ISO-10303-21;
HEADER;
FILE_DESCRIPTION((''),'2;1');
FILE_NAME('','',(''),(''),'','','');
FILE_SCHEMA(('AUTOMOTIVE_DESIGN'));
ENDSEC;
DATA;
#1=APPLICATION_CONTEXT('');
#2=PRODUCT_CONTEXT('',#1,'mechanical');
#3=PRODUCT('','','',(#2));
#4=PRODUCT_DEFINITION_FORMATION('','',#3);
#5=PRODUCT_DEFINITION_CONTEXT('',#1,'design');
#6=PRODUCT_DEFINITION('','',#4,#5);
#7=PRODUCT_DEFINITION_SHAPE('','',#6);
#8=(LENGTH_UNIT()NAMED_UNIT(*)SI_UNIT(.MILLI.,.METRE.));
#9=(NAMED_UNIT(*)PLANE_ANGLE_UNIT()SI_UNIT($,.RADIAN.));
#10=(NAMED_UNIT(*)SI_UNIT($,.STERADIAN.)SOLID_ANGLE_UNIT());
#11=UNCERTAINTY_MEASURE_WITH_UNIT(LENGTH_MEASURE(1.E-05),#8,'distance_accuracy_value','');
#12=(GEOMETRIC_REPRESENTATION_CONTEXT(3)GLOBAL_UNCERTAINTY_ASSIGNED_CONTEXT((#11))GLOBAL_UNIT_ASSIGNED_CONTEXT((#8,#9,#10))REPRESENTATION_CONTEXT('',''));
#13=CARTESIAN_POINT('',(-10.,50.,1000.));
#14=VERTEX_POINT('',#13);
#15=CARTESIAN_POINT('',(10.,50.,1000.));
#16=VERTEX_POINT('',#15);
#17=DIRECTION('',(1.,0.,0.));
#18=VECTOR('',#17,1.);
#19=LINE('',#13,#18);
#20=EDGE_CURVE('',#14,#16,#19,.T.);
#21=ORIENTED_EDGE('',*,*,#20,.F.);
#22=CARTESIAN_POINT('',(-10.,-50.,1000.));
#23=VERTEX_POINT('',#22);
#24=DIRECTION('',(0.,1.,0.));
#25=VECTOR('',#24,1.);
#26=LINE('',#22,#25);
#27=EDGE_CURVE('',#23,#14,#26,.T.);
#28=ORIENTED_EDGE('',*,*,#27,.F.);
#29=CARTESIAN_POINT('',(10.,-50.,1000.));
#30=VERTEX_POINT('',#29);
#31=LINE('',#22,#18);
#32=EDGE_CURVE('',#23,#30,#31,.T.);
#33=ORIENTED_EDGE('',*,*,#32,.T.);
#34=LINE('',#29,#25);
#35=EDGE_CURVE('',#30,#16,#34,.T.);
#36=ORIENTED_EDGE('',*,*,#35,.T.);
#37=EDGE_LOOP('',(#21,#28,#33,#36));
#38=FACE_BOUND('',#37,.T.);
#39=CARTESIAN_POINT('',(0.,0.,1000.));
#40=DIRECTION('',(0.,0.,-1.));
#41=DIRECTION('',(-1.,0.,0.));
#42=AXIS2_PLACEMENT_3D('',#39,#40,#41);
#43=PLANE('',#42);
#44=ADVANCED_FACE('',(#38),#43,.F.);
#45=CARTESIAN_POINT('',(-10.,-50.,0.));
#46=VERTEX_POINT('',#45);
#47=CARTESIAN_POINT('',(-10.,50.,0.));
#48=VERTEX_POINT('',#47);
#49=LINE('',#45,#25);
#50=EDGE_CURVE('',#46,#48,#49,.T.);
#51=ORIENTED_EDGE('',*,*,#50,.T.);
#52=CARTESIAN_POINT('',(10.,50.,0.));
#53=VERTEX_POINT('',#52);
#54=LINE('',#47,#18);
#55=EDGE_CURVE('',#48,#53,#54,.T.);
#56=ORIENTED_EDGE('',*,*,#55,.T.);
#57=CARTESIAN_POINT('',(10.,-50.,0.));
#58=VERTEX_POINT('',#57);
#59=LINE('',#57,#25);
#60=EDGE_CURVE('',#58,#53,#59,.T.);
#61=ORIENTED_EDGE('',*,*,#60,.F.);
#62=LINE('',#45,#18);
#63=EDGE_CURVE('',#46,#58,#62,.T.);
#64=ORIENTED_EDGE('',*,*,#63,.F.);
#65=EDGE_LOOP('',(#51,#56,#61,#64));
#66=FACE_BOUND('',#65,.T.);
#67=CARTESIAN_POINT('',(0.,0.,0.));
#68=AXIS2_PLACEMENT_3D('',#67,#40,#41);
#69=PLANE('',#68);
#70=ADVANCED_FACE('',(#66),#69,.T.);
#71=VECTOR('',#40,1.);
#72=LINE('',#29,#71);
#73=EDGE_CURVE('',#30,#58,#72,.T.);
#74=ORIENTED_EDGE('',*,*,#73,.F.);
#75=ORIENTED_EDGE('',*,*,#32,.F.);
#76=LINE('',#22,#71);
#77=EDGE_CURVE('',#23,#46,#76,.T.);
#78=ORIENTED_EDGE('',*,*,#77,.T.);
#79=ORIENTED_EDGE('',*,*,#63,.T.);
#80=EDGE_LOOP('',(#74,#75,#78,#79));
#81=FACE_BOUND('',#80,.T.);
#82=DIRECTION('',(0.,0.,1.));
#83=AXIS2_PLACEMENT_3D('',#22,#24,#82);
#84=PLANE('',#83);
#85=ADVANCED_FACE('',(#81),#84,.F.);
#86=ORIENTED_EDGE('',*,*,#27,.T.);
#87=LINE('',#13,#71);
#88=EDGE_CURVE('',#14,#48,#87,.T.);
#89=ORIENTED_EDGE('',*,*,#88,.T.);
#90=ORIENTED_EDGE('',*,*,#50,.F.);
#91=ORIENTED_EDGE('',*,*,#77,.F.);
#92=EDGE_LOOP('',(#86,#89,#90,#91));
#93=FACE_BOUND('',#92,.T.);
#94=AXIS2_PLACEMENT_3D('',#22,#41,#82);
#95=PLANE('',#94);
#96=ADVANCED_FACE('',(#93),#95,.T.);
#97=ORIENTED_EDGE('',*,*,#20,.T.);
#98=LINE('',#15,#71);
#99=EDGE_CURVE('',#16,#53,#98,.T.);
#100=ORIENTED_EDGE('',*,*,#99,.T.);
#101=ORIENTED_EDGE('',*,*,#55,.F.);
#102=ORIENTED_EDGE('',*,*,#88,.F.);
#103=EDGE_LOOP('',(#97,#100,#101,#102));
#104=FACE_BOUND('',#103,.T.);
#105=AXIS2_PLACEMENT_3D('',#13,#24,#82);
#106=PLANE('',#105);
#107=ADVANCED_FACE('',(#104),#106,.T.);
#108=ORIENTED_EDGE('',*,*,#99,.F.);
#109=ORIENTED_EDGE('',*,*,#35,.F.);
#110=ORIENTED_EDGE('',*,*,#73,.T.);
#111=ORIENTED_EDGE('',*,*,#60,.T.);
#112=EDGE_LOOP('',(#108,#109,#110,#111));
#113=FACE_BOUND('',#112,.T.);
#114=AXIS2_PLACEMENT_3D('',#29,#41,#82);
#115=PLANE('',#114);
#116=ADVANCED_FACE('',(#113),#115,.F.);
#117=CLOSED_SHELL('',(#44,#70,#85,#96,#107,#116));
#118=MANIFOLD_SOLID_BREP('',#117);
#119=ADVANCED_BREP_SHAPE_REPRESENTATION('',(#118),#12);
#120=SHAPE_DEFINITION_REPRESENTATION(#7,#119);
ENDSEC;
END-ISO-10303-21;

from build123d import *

# Parameters (mm, degrees)
ESQUISSE2_W        = 20
ESQUISSE2_H        = 100
BOSS_EXTRU_1_DEPTH = 1000


with BuildPart() as part:
    # Esquisse2 → Boss.-Extru.1 (new body)
    with BuildSketch(Plane.XY):
        Rectangle(ESQUISSE2_W, ESQUISSE2_H)
    extrude(amount=BOSS_EXTRU_1_DEPTH)


solid = part.part
